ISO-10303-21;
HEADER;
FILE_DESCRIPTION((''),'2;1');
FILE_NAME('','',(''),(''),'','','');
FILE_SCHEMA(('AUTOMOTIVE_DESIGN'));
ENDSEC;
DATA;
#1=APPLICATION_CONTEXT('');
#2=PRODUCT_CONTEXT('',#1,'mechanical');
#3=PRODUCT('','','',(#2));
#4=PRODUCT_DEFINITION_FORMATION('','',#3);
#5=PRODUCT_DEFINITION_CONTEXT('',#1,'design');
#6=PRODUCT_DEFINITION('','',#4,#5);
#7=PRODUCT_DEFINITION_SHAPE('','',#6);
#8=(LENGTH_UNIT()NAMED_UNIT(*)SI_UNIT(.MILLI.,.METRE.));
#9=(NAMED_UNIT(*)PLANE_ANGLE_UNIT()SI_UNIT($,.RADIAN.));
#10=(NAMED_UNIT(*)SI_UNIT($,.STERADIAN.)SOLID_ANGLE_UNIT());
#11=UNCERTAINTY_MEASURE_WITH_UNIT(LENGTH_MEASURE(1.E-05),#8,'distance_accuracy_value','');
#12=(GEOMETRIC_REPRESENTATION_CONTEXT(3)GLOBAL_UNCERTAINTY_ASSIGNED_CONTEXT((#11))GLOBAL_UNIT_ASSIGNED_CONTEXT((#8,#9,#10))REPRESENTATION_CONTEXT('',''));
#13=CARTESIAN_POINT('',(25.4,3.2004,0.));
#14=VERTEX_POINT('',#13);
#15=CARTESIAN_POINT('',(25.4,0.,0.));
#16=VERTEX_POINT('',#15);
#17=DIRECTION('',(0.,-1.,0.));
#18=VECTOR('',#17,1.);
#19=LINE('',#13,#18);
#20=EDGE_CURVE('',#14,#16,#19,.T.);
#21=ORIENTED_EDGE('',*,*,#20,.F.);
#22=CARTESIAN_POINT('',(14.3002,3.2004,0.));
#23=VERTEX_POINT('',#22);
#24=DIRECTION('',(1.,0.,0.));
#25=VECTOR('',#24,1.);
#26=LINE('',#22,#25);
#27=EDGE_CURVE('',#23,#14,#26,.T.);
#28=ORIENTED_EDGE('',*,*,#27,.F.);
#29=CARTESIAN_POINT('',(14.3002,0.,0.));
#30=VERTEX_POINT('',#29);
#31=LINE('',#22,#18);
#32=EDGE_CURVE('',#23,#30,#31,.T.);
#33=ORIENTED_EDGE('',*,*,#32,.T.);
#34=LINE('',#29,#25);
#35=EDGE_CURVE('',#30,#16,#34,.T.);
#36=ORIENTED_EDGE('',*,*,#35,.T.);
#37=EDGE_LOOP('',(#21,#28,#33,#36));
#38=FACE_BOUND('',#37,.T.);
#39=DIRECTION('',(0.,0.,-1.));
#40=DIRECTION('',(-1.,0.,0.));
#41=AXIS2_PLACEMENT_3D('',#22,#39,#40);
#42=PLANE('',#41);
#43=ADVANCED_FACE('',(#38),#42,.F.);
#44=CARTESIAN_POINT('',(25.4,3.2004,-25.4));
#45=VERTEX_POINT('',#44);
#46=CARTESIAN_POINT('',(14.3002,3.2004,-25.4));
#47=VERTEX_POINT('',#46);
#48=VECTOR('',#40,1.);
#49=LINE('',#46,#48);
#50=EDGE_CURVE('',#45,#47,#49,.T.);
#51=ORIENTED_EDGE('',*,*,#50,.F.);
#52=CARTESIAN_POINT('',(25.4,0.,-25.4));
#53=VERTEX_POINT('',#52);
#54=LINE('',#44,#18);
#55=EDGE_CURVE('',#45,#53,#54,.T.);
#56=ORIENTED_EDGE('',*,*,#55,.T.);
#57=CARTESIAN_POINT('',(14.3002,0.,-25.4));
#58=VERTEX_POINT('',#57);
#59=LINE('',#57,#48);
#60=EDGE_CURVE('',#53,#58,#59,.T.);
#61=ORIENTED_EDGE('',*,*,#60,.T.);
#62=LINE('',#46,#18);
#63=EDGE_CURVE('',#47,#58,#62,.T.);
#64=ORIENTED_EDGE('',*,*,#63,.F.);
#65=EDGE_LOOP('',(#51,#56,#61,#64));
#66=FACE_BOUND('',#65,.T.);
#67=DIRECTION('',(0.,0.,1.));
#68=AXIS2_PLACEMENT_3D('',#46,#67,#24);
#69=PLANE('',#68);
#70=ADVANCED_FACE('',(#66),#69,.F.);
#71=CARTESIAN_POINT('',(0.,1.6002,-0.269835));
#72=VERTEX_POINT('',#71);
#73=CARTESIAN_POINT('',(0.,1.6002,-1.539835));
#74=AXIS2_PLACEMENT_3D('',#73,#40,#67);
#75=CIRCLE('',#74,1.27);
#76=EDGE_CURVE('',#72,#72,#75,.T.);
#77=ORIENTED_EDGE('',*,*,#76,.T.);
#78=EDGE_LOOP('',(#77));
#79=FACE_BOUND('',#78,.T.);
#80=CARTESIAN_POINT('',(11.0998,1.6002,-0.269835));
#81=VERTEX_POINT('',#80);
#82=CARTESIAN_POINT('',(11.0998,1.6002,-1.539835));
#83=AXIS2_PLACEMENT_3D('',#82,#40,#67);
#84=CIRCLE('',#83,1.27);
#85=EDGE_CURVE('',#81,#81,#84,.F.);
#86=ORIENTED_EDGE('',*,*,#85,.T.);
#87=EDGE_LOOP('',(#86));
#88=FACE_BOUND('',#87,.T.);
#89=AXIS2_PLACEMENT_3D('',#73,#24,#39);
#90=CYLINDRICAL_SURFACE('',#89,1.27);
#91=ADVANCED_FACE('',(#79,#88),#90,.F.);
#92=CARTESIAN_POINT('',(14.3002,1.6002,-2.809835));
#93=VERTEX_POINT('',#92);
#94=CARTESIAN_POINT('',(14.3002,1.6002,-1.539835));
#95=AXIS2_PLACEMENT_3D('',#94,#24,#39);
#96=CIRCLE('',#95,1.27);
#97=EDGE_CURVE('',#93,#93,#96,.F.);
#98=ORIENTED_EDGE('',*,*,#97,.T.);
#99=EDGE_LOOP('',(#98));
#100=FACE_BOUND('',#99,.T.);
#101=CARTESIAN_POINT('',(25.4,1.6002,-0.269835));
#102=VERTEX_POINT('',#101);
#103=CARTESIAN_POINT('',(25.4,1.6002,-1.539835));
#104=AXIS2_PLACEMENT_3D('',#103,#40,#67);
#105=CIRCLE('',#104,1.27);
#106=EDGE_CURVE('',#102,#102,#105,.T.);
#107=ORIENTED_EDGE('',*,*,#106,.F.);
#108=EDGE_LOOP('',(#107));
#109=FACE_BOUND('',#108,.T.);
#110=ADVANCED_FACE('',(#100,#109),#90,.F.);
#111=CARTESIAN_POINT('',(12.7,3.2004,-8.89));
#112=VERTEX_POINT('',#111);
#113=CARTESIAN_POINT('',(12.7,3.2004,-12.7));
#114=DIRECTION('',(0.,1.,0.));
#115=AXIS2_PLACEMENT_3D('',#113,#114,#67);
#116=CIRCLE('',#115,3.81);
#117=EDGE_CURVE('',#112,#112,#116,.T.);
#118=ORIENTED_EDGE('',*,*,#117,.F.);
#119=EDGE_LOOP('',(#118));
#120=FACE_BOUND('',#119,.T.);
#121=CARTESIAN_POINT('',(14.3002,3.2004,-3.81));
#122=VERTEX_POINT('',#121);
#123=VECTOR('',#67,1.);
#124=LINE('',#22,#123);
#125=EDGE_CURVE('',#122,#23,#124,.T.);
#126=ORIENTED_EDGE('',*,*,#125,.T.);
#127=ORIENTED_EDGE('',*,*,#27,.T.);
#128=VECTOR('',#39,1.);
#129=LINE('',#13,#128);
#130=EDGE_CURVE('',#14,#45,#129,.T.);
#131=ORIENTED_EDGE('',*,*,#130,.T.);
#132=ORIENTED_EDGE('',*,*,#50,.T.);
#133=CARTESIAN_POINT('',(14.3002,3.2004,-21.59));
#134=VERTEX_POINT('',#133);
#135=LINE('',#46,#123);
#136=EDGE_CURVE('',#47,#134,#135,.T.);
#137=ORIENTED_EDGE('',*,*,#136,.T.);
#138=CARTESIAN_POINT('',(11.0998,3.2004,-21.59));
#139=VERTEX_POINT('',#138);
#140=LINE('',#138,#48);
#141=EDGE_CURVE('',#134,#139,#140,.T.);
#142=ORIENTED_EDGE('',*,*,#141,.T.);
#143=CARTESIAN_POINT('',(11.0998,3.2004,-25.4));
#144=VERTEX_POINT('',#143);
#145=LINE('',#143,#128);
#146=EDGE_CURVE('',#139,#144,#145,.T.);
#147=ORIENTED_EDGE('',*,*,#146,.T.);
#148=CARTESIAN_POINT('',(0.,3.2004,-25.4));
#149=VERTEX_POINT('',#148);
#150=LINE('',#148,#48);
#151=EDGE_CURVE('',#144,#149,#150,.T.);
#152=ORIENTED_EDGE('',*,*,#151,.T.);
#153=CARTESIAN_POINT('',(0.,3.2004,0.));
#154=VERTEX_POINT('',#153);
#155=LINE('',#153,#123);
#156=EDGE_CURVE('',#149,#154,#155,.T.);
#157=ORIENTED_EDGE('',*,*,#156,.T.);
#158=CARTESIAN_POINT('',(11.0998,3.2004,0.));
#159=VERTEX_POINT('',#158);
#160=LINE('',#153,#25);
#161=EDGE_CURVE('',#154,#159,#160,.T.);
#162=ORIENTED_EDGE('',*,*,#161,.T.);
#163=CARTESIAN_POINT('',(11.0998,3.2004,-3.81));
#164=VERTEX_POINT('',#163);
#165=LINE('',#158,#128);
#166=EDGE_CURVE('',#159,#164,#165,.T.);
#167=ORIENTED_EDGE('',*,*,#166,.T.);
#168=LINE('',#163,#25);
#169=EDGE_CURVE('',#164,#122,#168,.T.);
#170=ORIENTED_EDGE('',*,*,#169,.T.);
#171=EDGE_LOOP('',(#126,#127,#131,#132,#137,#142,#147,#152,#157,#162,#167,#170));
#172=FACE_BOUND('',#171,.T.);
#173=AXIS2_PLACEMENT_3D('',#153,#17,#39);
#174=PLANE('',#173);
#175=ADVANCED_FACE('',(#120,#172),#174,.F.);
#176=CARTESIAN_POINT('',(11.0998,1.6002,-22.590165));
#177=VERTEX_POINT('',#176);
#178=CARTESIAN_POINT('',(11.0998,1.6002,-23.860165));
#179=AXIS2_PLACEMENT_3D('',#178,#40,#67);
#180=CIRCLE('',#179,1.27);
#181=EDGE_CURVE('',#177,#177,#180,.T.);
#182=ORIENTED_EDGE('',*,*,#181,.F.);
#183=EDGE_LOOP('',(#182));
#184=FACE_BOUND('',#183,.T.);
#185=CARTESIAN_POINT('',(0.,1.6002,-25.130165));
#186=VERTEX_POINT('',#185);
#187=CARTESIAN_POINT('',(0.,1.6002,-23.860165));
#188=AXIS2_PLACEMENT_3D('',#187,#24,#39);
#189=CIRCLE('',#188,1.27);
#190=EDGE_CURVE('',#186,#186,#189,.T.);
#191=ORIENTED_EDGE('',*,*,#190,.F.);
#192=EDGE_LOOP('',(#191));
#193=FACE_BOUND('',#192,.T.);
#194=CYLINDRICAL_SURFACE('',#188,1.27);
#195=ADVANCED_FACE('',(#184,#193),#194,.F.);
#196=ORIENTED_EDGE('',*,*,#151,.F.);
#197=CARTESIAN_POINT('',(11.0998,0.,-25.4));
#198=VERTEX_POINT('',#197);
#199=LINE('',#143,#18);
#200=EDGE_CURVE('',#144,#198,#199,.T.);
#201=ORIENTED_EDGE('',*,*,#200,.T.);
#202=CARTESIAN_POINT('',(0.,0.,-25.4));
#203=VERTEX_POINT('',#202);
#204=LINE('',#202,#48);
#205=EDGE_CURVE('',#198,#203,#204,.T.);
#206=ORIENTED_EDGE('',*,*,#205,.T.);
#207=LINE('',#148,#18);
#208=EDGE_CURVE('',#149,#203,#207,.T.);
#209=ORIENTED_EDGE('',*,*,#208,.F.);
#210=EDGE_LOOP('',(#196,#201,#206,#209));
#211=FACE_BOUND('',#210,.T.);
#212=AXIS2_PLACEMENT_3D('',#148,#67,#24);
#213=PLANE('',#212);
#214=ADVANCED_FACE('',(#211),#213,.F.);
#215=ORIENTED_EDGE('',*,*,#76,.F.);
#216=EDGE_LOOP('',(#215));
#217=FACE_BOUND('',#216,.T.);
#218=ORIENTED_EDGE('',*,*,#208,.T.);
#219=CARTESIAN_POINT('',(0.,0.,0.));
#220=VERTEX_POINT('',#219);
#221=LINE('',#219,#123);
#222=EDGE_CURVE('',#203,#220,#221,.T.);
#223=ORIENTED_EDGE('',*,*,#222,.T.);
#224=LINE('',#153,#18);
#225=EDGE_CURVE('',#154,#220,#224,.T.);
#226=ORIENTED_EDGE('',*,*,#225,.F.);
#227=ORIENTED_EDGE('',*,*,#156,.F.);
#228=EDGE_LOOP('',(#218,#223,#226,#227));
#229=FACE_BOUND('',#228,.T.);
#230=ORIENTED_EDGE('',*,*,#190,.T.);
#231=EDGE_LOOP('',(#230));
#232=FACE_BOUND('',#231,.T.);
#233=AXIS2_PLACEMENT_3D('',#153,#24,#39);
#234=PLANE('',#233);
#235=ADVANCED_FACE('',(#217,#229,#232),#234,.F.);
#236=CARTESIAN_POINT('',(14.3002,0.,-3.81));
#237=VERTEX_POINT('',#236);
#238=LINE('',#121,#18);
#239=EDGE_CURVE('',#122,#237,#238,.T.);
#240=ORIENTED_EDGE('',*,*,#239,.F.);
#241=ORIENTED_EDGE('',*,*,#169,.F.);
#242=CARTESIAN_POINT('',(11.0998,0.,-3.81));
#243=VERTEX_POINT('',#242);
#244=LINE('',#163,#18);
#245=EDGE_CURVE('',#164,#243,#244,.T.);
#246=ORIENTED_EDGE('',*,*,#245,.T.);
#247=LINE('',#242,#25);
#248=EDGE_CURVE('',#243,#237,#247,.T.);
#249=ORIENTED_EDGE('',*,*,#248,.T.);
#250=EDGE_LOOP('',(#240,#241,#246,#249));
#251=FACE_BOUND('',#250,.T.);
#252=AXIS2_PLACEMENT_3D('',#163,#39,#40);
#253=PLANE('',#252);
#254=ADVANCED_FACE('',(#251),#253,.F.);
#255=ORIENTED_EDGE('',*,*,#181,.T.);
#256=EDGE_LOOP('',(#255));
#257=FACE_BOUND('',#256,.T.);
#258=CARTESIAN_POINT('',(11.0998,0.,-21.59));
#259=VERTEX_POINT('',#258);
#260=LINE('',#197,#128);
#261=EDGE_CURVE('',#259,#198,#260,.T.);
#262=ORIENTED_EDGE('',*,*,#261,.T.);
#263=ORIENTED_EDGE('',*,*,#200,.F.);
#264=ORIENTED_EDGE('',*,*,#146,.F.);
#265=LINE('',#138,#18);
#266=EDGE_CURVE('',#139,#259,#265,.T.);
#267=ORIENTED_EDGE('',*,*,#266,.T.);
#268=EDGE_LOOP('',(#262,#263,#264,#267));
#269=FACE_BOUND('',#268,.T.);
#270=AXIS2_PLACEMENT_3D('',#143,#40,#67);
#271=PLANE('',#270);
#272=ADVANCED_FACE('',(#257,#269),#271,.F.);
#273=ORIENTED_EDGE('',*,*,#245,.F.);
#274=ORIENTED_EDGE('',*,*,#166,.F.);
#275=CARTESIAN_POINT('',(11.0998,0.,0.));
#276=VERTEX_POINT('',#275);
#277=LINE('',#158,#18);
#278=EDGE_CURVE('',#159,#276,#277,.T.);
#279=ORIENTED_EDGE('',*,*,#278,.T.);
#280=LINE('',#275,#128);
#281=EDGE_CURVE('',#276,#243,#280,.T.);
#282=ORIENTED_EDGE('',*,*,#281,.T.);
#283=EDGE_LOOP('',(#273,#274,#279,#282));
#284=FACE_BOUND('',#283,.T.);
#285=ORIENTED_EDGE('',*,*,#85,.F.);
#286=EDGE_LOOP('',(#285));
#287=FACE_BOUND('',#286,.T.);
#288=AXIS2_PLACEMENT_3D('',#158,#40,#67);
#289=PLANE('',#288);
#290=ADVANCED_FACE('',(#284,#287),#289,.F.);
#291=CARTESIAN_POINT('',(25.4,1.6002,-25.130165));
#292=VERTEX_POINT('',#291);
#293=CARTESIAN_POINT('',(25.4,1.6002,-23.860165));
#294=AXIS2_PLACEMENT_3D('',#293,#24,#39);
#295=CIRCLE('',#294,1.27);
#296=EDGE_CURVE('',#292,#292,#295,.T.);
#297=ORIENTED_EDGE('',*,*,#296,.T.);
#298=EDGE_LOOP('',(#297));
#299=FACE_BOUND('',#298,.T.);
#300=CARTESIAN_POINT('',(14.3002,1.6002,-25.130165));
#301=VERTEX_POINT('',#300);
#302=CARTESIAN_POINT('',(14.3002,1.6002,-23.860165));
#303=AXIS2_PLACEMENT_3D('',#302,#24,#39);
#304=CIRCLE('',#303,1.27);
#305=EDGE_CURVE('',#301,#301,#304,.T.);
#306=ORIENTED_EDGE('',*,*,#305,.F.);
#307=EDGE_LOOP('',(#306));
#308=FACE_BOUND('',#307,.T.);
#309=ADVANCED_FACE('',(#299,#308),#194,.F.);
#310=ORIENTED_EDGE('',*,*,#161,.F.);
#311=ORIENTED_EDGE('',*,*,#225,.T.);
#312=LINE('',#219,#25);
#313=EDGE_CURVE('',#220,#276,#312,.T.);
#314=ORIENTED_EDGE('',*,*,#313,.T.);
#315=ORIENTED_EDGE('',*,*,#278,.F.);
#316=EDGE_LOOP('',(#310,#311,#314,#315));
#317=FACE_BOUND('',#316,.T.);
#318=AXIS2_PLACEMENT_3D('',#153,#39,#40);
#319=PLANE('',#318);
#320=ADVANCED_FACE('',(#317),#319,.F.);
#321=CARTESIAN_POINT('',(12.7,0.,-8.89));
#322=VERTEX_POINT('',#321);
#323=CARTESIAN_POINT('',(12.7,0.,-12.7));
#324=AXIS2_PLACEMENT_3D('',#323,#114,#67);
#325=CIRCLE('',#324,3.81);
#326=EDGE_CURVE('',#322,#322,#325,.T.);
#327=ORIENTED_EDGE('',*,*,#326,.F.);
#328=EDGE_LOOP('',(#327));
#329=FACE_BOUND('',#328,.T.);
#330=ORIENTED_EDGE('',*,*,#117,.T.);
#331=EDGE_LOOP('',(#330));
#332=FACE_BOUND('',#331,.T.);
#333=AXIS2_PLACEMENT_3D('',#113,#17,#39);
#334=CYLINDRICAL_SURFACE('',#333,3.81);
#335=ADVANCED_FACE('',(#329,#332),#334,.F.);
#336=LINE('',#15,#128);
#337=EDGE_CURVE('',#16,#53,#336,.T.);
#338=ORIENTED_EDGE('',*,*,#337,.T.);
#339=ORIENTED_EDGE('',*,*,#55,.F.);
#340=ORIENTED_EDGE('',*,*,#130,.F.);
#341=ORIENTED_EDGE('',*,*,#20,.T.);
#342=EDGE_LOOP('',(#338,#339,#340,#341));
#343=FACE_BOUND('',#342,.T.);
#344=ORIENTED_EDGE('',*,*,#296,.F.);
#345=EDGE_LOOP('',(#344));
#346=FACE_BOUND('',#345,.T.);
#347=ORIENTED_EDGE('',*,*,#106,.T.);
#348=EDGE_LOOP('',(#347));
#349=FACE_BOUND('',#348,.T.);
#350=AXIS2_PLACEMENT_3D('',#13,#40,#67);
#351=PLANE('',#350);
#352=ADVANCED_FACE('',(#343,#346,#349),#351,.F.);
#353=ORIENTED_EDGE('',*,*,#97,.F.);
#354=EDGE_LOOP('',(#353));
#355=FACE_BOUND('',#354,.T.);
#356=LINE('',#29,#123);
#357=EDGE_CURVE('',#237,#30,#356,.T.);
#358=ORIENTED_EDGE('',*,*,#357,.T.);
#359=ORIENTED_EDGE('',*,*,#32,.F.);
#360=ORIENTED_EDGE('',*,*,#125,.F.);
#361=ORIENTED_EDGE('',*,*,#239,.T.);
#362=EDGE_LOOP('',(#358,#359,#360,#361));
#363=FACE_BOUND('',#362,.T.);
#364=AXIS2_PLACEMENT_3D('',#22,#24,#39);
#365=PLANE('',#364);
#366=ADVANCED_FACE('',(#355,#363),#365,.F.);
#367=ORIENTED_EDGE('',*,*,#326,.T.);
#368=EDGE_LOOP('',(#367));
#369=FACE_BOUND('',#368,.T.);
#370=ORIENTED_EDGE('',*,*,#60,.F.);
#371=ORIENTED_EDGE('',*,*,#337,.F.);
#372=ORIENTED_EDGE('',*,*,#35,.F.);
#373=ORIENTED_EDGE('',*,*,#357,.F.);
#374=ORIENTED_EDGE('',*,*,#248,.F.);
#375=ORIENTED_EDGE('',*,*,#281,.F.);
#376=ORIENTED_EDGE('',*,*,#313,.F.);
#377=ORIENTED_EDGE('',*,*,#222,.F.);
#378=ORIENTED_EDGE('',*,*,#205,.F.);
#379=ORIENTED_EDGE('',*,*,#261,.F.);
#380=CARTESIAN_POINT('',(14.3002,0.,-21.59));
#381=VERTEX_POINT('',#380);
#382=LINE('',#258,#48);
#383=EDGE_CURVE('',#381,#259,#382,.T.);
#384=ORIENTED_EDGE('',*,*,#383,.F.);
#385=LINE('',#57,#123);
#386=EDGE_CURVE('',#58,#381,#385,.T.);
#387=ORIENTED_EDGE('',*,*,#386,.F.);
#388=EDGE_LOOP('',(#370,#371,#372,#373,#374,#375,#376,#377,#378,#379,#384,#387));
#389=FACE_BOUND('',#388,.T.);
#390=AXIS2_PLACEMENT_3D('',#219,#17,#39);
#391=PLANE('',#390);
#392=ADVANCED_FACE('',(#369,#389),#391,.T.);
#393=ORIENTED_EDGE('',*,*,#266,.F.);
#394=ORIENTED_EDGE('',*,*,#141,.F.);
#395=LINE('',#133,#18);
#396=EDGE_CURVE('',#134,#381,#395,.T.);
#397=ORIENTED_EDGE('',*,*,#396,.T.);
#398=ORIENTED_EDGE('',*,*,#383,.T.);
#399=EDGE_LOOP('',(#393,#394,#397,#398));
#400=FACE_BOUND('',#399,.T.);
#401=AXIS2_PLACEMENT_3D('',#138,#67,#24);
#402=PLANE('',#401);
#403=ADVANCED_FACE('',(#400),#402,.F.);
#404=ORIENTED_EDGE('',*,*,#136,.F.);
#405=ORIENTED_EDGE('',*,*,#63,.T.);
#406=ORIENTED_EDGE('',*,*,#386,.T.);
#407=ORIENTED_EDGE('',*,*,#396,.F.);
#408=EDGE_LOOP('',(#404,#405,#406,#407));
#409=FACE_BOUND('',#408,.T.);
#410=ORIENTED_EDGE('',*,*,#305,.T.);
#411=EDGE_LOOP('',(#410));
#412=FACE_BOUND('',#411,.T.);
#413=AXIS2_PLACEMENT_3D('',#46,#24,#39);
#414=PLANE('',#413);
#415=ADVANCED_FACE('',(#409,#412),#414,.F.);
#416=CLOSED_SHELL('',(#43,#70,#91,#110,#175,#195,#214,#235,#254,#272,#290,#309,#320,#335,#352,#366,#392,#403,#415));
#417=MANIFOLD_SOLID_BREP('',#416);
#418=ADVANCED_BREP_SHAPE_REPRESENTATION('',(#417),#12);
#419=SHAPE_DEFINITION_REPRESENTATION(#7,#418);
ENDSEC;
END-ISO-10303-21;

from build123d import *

# Parameters (mm, degrees)
SKETCH1_R           = 3.81
BOSS_EXTRUDE1_DEPTH = 3.2004
SKETCH3_R           = 1.27
CUT_EXTRUDE2_DEPTH  = 37.063313217


with BuildPart() as part:
    # Sketch1 → Boss-Extrude1 (new body)
    with BuildSketch(Plane(origin=(0, 0, 0), x_dir=(1, 0, 0), z_dir=(0, 1, 0))):
        Polygon((0, 25.4), (11.0998, 25.4), (11.0998, 21.59), (14.3002, 21.59), (14.3002, 25.4), (25.4, 25.4), (25.4, 0), (14.3002, 0), (14.3002, 3.81), (11.0998, 3.81), (11.0998, 0), (0, 0), align=None)
        with Locations(Location((12.7, 12.7, 0), (0, 0, 270))):
            Circle(SKETCH1_R, mode=Mode.SUBTRACT)
    extrude(amount=BOSS_EXTRUDE1_DEPTH)

    # Sketch3 → Cut-Extrude2 (cut, through all)
    with BuildSketch(Plane(origin=(25.4, 0, 0), x_dir=(0, 0, -1), z_dir=(1, 0, 0))):
        with Locations((23.860164918, 1.6002)):
            Circle(SKETCH3_R)
        with Locations((1.539835082, 1.6002)):
            Circle(SKETCH3_R)
    extrude(amount=-CUT_EXTRUDE2_DEPTH, mode=Mode.SUBTRACT)


solid = part.part
